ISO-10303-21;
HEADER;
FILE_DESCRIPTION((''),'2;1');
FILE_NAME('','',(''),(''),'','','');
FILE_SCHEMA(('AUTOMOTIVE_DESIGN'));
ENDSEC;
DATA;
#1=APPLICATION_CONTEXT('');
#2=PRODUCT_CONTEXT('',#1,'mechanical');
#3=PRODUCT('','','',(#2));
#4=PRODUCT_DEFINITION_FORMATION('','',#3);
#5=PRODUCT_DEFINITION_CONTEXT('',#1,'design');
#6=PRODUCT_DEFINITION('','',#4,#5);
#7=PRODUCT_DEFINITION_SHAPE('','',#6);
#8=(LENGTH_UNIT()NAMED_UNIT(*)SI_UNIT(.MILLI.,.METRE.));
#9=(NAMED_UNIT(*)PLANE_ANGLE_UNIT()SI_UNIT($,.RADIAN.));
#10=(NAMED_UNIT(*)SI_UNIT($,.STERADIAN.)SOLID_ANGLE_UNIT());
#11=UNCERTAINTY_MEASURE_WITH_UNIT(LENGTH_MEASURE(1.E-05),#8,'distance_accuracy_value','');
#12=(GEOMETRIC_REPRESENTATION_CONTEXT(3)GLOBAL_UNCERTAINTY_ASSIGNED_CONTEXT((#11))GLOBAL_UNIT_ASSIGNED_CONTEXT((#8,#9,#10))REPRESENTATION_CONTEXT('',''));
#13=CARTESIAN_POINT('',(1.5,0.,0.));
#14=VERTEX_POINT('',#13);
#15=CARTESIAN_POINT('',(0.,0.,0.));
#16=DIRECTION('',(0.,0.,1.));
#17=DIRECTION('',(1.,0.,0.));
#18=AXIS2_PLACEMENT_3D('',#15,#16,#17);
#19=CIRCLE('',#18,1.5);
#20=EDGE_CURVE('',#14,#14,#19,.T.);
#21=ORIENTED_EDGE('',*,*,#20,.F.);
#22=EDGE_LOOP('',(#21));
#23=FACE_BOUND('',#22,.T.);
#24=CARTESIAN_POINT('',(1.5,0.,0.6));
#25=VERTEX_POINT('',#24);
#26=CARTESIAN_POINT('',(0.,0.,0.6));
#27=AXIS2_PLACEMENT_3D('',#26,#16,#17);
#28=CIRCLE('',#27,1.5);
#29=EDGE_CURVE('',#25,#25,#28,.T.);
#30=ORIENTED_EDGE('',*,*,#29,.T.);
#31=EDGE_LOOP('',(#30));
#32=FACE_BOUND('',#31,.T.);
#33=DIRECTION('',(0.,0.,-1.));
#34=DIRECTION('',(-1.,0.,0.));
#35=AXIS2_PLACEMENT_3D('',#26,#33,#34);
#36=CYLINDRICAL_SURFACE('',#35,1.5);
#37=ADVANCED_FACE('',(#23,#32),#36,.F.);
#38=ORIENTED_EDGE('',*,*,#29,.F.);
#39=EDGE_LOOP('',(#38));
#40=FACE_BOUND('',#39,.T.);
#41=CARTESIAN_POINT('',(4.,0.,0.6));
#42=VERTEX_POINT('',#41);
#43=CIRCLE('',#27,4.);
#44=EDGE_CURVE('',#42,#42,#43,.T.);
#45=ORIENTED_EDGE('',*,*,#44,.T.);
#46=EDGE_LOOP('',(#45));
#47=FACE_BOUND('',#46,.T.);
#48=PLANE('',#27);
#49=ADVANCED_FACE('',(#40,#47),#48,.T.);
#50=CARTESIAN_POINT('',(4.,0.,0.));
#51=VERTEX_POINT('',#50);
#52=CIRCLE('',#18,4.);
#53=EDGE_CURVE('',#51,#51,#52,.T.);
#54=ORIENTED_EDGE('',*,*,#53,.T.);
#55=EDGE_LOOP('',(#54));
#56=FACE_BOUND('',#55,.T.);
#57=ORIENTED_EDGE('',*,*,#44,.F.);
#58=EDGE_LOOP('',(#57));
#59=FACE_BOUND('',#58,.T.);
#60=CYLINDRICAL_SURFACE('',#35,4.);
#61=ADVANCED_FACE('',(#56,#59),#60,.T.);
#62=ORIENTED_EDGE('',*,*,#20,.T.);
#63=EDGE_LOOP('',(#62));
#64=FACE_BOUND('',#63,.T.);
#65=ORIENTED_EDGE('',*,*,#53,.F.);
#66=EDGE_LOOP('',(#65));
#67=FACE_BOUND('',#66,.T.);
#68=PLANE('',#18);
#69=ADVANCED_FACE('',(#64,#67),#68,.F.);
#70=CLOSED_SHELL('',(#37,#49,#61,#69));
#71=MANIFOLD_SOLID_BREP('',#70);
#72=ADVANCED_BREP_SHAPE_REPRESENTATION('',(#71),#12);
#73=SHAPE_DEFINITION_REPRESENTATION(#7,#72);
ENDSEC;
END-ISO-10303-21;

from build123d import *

# Parameters (mm, degrees)
SKETCH1_R           = 4
SKETCH1_R_2         = 1.5
BOSS_EXTRUDE1_DEPTH = 0.6


with BuildPart() as part:
    # Sketch1 → Boss-Extrude1 (new body)
    with BuildSketch(Plane.XY):
        Circle(SKETCH1_R)
        Circle(SKETCH1_R_2, mode=Mode.SUBTRACT)
    extrude(amount=BOSS_EXTRUDE1_DEPTH)


solid = part.part
